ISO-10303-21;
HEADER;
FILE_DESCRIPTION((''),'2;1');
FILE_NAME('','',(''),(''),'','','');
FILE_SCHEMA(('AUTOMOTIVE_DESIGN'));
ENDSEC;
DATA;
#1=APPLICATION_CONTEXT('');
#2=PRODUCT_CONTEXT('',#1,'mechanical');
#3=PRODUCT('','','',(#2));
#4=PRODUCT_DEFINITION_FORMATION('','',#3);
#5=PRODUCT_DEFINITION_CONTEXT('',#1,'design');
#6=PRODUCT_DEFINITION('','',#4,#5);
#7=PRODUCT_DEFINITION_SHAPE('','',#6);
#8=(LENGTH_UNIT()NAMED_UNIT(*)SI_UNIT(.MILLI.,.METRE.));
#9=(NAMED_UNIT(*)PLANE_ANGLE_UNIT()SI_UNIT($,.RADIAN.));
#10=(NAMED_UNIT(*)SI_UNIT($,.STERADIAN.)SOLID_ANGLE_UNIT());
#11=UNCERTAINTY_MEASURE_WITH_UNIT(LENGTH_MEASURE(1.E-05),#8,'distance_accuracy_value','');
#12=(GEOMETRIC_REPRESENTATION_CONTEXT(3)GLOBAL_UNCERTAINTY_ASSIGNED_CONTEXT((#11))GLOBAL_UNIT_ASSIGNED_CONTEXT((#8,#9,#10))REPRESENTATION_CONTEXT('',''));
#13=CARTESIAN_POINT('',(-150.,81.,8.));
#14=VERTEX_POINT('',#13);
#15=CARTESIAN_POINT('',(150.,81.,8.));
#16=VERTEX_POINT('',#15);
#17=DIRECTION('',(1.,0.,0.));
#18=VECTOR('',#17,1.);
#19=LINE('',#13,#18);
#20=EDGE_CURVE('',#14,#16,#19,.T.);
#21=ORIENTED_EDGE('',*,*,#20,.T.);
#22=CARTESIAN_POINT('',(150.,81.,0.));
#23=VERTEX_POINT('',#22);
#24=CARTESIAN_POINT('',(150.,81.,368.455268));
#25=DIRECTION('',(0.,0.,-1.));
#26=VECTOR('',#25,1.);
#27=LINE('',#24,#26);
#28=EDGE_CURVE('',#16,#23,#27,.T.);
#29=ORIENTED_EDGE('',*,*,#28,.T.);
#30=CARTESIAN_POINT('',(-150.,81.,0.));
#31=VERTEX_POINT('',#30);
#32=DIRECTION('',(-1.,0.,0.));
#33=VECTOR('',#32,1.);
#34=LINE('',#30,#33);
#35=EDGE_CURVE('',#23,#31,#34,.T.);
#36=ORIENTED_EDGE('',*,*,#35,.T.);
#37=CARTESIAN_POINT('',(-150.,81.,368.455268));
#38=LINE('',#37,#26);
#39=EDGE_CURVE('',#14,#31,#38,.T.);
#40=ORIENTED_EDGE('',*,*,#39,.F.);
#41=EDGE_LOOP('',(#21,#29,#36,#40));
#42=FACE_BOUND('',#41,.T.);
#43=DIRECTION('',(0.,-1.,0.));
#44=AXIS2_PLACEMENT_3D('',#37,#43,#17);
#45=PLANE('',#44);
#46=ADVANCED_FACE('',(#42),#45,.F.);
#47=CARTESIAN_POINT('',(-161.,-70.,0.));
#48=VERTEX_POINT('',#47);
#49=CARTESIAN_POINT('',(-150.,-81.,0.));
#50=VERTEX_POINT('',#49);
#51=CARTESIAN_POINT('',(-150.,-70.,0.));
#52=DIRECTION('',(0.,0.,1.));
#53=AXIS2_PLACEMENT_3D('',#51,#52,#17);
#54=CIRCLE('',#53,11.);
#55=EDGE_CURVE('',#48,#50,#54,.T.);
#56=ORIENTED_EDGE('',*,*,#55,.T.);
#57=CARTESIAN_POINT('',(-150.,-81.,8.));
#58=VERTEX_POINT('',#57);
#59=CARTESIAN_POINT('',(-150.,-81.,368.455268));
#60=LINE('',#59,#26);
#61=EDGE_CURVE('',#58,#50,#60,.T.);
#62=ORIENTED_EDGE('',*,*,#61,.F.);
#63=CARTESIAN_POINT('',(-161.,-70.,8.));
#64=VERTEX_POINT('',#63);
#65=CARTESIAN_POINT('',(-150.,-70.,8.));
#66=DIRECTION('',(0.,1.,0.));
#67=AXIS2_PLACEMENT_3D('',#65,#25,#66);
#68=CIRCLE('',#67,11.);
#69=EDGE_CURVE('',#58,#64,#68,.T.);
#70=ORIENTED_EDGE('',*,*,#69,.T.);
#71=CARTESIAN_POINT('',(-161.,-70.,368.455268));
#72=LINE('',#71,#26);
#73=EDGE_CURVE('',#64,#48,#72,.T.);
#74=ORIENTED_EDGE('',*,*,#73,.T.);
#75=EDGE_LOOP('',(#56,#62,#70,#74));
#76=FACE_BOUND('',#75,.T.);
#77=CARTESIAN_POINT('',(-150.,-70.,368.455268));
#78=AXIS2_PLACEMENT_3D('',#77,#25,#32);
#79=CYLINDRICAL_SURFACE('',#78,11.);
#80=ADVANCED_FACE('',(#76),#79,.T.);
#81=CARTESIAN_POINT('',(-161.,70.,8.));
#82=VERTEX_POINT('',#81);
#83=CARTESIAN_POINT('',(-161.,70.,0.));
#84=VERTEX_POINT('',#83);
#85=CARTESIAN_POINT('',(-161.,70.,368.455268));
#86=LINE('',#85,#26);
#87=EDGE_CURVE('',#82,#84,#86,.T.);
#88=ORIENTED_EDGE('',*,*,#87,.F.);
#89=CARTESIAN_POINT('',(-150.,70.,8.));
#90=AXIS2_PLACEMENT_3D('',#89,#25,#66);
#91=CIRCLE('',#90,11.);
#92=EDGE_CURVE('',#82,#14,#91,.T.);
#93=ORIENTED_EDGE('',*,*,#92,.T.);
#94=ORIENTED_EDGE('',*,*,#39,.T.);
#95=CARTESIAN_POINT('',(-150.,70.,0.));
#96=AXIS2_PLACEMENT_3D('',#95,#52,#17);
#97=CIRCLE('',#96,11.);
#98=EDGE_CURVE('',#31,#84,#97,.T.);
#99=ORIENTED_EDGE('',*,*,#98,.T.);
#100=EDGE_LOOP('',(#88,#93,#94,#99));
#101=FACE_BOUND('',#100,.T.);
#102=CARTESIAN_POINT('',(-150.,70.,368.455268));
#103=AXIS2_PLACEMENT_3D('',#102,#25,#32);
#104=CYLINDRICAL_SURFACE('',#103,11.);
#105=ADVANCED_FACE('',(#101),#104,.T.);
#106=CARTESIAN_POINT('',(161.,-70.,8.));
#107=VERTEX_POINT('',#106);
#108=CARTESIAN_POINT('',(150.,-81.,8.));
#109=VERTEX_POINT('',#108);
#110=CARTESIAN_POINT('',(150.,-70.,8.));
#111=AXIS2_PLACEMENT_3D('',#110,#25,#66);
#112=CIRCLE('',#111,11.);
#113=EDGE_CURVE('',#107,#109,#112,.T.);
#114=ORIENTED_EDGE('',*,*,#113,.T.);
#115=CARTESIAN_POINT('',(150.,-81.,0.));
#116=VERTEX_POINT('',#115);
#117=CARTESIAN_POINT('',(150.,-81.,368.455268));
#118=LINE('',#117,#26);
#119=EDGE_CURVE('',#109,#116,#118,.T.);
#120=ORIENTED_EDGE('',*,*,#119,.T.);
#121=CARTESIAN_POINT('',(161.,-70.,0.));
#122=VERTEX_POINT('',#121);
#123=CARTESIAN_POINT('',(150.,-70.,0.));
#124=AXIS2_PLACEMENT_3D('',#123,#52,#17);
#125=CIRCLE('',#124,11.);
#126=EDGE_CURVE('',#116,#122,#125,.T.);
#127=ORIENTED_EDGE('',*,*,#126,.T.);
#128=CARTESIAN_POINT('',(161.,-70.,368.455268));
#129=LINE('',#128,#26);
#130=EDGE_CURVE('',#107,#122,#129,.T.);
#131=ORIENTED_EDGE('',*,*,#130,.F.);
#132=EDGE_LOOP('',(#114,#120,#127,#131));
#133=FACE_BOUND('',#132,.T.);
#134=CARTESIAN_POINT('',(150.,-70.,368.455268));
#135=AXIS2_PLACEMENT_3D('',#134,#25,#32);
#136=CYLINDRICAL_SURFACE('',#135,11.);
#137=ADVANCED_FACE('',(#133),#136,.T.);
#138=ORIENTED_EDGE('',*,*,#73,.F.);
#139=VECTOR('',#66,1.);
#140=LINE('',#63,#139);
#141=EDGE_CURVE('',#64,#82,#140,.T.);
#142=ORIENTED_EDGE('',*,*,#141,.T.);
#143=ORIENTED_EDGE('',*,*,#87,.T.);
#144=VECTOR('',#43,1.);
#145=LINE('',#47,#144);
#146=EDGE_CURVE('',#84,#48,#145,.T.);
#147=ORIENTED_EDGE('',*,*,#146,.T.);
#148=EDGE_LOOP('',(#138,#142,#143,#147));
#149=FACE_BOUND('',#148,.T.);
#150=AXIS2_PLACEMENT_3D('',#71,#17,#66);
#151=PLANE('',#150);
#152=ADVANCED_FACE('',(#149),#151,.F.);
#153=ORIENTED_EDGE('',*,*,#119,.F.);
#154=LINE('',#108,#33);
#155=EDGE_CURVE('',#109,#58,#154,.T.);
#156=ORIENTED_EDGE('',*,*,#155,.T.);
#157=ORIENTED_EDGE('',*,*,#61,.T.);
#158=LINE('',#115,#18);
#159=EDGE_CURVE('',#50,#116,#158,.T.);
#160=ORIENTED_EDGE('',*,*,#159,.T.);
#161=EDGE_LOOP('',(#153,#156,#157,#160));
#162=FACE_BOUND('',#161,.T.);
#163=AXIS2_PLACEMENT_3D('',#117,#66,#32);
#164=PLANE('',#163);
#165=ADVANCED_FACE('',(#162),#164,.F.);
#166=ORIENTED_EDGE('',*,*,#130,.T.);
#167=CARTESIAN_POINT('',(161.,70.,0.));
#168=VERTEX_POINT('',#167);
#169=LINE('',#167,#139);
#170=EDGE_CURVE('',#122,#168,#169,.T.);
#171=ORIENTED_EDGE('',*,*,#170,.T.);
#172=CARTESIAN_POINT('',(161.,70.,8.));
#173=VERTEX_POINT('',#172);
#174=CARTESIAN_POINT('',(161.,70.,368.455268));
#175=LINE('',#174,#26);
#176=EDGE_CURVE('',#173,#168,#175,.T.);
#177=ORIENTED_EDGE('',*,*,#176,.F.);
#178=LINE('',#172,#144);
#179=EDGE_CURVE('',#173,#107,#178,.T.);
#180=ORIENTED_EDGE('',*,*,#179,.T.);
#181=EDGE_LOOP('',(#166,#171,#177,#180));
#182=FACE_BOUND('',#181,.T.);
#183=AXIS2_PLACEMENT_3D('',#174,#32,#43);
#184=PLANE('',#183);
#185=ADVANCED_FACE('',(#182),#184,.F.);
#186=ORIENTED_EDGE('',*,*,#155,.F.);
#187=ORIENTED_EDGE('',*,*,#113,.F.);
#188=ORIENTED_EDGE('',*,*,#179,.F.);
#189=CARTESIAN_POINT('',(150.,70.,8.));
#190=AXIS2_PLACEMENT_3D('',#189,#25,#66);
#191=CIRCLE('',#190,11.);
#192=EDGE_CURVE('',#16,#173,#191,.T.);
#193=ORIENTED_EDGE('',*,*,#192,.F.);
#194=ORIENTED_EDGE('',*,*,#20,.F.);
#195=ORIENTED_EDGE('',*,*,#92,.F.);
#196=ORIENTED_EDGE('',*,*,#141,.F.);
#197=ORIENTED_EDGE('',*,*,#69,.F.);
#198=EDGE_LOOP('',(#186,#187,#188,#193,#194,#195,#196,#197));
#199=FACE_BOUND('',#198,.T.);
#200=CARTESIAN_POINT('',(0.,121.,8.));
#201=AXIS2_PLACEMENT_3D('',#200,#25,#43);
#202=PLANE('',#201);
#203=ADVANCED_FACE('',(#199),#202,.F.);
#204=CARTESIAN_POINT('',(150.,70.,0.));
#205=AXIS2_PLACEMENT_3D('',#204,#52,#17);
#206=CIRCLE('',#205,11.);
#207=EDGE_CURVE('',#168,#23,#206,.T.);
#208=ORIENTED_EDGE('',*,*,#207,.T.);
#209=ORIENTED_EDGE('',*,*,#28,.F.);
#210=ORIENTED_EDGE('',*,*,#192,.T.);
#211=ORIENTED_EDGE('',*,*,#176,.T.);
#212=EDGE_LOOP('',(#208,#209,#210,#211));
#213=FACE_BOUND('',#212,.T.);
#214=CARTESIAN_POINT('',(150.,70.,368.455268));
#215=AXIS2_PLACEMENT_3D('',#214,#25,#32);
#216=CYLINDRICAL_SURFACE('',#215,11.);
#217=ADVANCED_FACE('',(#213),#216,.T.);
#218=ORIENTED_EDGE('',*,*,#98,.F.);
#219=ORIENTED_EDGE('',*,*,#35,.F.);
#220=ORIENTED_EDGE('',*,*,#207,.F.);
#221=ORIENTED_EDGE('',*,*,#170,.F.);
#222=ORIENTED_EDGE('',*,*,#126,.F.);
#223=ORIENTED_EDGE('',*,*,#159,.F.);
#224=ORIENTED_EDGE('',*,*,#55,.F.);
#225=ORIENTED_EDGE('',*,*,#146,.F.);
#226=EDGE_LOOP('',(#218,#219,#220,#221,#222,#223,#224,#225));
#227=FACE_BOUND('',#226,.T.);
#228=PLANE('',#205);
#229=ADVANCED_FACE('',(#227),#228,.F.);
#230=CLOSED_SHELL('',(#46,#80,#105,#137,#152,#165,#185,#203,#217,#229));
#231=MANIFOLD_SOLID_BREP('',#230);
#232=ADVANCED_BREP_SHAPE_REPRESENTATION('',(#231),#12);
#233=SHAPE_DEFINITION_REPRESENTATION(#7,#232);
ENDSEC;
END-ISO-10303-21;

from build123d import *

# Parameters (mm, degrees)
BOSS_EXTRUDE1_DEPTH = 8


with BuildPart() as part:
    # Sketch1 → Boss-Extrude1 (new body)
    with BuildSketch(Plane.XY):
        with BuildLine():
            Line((161, 70), (161, -70))
            ThreePointArc((161, -70), (157.778174593, -77.778174593), (150, -81))
            Line((150, -81), (-150, -81))
            ThreePointArc((-150, -81), (-157.778174593, -77.778174593), (-161, -70))
            Line((-161, -70), (-161, 70))
            ThreePointArc((-161, 70), (-157.778174593, 77.778174593), (-150, 81))
            Line((-150, 81), (0, 81))
            Line((0, 81), (150, 81))
            ThreePointArc((150, 81), (157.778174593, 77.778174593), (161, 70))
        make_face()
    extrude(amount=BOSS_EXTRUDE1_DEPTH)


solid = part.part
